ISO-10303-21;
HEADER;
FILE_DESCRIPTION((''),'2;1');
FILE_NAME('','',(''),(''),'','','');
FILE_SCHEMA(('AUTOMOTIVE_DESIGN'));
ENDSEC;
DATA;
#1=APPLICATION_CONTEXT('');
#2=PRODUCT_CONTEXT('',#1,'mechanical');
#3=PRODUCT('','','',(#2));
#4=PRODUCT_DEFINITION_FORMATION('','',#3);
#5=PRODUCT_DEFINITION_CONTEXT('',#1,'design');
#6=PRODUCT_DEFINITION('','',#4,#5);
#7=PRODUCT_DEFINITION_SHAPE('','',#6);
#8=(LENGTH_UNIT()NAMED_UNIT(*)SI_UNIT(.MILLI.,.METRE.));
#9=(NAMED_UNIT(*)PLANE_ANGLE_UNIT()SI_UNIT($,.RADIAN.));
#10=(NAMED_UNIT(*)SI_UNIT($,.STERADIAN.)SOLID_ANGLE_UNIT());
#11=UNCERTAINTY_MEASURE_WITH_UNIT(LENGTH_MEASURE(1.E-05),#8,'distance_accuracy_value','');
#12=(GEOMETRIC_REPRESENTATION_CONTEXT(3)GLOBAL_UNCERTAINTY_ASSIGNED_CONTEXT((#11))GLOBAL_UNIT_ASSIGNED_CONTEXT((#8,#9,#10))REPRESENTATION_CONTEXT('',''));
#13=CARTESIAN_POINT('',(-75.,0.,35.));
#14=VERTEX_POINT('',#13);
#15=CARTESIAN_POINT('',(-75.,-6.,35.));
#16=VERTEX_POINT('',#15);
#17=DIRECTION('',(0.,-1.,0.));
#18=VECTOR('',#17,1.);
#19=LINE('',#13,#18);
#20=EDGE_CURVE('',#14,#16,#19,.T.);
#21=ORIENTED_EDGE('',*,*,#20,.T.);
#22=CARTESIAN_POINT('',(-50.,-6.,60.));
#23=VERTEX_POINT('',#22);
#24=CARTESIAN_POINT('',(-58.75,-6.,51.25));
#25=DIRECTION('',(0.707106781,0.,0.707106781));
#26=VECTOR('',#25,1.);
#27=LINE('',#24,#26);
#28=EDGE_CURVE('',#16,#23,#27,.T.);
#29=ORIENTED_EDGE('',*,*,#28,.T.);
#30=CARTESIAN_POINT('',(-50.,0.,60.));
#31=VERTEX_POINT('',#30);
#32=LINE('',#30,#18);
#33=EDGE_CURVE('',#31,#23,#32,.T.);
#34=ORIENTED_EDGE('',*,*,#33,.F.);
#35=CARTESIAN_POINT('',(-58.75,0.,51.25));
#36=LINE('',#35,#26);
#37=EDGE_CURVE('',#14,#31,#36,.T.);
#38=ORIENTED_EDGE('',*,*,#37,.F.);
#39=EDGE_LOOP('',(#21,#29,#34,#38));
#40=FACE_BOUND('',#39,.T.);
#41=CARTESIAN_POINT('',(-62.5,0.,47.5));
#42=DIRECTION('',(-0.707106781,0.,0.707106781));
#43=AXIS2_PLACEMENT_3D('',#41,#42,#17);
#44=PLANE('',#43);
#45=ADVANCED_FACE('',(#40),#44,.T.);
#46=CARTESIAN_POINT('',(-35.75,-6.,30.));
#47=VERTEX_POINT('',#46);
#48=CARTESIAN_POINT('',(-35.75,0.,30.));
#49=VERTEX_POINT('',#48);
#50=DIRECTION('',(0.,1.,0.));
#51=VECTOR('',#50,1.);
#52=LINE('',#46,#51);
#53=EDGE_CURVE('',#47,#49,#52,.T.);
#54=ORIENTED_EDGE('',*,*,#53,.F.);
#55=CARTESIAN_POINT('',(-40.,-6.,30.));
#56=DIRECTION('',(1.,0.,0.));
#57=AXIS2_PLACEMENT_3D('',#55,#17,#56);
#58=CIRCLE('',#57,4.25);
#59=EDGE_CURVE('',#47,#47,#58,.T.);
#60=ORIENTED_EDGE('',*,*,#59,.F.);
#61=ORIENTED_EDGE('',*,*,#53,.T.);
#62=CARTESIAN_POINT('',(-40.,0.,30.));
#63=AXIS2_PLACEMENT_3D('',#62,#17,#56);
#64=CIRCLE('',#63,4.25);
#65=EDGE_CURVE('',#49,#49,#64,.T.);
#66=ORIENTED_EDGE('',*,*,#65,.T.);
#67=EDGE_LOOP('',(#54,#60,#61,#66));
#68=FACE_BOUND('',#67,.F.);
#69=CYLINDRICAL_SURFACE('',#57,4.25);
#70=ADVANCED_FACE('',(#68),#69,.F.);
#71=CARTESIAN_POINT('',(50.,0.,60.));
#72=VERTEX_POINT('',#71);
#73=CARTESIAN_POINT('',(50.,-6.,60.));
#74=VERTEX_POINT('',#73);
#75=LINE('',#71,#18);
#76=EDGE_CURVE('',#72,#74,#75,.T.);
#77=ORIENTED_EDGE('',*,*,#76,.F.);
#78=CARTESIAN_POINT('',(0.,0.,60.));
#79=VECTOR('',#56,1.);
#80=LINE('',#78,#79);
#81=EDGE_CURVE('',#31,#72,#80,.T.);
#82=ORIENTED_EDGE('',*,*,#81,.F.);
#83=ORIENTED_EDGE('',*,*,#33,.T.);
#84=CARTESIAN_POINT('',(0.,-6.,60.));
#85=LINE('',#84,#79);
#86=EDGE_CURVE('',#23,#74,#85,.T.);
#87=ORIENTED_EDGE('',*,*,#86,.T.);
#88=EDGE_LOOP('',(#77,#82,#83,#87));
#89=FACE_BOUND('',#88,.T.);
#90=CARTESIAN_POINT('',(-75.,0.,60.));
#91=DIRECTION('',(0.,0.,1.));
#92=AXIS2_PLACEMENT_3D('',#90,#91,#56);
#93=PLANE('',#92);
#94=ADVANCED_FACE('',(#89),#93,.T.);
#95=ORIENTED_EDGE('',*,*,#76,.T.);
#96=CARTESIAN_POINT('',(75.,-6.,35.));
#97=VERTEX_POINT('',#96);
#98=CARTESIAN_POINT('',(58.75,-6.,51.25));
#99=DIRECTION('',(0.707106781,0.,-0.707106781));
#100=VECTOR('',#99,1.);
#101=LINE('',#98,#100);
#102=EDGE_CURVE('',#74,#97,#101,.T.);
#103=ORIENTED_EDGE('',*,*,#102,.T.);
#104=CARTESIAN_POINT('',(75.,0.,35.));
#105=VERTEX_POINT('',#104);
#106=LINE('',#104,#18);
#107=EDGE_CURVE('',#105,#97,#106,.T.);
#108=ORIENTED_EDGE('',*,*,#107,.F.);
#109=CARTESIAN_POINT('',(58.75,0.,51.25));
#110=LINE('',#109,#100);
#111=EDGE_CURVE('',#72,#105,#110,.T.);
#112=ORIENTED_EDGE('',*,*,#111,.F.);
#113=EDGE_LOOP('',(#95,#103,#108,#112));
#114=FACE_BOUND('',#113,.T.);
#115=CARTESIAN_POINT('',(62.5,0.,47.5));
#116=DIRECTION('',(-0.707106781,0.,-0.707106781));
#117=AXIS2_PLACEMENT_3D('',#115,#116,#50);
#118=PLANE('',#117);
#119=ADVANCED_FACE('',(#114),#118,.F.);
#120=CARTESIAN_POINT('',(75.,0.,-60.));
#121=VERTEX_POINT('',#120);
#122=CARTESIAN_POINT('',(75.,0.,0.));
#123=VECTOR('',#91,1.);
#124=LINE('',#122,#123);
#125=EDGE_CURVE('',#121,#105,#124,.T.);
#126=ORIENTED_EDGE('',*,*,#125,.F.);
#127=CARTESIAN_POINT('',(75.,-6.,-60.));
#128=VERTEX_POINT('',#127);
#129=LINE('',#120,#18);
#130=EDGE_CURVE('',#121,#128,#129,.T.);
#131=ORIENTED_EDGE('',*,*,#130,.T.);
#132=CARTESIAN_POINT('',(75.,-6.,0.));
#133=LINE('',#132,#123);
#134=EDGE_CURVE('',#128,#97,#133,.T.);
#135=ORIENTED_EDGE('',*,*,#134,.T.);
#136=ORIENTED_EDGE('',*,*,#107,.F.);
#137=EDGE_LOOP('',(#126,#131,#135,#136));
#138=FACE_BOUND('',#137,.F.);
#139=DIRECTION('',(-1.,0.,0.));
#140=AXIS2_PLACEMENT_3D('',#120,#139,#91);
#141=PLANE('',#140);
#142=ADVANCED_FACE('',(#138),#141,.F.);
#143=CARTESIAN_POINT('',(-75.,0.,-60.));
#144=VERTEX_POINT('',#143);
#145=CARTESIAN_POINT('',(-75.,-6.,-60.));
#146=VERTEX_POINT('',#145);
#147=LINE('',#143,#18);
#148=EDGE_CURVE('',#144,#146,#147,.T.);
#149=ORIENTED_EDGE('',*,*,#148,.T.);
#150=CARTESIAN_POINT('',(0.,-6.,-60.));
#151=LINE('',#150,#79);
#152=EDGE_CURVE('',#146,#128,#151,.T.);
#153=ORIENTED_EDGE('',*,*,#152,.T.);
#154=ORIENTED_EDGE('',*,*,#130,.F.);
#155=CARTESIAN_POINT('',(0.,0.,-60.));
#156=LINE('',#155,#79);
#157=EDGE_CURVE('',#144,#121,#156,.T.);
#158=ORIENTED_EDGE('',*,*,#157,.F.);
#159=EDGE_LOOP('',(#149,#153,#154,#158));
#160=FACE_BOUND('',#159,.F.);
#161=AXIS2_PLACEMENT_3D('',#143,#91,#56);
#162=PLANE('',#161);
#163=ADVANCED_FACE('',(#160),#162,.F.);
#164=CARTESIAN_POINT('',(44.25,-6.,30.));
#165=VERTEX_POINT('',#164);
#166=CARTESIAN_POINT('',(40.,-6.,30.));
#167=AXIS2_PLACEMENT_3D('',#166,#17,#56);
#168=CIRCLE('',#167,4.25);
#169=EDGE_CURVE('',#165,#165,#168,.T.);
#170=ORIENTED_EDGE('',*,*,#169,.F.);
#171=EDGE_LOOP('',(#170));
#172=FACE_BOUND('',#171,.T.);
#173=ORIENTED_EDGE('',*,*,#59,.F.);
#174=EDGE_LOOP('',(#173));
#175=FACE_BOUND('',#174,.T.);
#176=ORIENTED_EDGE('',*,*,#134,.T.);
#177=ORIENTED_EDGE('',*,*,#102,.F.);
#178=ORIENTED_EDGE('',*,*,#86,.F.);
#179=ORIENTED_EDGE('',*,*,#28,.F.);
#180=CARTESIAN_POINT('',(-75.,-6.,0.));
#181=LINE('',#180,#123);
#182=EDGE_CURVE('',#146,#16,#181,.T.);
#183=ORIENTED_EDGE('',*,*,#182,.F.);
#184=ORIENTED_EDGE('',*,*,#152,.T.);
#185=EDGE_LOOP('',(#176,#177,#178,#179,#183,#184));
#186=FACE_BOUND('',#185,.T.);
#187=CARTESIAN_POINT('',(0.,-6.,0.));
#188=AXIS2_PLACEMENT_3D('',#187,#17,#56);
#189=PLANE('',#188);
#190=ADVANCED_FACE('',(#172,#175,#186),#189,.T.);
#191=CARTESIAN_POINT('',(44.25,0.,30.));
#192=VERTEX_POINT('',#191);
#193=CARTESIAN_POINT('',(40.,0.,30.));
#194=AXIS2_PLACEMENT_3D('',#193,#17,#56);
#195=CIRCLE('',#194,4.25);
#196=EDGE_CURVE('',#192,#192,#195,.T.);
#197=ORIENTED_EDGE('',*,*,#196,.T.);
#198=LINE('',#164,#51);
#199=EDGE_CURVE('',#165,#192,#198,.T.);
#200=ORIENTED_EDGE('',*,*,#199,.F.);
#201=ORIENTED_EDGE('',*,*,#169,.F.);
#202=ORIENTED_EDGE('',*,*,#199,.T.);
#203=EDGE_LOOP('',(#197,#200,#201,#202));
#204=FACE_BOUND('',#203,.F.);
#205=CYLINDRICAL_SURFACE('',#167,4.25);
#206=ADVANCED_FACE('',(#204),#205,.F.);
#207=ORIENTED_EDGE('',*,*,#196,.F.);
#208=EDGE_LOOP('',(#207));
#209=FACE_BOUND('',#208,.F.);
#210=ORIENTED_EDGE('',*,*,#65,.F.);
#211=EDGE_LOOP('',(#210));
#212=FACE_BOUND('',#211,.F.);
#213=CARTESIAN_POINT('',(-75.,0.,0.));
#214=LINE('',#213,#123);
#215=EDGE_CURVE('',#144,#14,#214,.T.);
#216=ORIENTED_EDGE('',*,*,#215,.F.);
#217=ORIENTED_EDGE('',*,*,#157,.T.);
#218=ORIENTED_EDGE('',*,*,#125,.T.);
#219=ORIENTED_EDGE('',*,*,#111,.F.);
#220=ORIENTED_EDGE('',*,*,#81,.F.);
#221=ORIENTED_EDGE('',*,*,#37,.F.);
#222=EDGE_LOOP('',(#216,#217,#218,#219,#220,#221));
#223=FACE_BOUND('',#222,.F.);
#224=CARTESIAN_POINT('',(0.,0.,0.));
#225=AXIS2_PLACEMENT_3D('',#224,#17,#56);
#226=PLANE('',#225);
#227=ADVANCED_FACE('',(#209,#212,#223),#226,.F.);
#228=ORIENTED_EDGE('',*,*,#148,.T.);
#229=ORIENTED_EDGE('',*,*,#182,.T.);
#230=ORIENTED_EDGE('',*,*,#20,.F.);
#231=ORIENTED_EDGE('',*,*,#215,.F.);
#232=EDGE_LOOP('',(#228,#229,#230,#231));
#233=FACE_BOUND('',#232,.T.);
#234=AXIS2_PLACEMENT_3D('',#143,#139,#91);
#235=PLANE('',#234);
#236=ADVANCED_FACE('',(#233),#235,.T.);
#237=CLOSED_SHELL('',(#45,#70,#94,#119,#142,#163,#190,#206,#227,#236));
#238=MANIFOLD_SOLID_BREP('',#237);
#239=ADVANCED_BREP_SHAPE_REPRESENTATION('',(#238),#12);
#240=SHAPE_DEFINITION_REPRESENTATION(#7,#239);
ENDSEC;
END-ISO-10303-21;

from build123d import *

# Parameters (mm, degrees)
F0_W     = 150
F0_H     = 120
F1_DEPTH = 6
F2_R     = 4.25
F3_DEPTH = 25
F4_SIZE  = 25


with BuildPart() as f1:
    # F0 (on Front) → F1 (new body)
    with BuildSketch(Plane.XZ):
        Rectangle(F0_W, F0_H)
    extrude(amount=F1_DEPTH)

    # F2 (on face) → F3 (cut)
    with BuildSketch(Plane.XZ.offset(6)):
        with Locations((-40, 30)):
            Circle(F2_R)
        with Locations((40, 30)):
            Circle(F2_R)
    extrude(amount=-F3_DEPTH, mode=Mode.SUBTRACT)

    # F4
    f4_edges = [f1.edges().sort_by_distance(p)[0] for p in [
        (-75, -3, 60),
        (75, -3, 60),
    ]]
    chamfer(f4_edges, length=F4_SIZE)


solid = f1.part
